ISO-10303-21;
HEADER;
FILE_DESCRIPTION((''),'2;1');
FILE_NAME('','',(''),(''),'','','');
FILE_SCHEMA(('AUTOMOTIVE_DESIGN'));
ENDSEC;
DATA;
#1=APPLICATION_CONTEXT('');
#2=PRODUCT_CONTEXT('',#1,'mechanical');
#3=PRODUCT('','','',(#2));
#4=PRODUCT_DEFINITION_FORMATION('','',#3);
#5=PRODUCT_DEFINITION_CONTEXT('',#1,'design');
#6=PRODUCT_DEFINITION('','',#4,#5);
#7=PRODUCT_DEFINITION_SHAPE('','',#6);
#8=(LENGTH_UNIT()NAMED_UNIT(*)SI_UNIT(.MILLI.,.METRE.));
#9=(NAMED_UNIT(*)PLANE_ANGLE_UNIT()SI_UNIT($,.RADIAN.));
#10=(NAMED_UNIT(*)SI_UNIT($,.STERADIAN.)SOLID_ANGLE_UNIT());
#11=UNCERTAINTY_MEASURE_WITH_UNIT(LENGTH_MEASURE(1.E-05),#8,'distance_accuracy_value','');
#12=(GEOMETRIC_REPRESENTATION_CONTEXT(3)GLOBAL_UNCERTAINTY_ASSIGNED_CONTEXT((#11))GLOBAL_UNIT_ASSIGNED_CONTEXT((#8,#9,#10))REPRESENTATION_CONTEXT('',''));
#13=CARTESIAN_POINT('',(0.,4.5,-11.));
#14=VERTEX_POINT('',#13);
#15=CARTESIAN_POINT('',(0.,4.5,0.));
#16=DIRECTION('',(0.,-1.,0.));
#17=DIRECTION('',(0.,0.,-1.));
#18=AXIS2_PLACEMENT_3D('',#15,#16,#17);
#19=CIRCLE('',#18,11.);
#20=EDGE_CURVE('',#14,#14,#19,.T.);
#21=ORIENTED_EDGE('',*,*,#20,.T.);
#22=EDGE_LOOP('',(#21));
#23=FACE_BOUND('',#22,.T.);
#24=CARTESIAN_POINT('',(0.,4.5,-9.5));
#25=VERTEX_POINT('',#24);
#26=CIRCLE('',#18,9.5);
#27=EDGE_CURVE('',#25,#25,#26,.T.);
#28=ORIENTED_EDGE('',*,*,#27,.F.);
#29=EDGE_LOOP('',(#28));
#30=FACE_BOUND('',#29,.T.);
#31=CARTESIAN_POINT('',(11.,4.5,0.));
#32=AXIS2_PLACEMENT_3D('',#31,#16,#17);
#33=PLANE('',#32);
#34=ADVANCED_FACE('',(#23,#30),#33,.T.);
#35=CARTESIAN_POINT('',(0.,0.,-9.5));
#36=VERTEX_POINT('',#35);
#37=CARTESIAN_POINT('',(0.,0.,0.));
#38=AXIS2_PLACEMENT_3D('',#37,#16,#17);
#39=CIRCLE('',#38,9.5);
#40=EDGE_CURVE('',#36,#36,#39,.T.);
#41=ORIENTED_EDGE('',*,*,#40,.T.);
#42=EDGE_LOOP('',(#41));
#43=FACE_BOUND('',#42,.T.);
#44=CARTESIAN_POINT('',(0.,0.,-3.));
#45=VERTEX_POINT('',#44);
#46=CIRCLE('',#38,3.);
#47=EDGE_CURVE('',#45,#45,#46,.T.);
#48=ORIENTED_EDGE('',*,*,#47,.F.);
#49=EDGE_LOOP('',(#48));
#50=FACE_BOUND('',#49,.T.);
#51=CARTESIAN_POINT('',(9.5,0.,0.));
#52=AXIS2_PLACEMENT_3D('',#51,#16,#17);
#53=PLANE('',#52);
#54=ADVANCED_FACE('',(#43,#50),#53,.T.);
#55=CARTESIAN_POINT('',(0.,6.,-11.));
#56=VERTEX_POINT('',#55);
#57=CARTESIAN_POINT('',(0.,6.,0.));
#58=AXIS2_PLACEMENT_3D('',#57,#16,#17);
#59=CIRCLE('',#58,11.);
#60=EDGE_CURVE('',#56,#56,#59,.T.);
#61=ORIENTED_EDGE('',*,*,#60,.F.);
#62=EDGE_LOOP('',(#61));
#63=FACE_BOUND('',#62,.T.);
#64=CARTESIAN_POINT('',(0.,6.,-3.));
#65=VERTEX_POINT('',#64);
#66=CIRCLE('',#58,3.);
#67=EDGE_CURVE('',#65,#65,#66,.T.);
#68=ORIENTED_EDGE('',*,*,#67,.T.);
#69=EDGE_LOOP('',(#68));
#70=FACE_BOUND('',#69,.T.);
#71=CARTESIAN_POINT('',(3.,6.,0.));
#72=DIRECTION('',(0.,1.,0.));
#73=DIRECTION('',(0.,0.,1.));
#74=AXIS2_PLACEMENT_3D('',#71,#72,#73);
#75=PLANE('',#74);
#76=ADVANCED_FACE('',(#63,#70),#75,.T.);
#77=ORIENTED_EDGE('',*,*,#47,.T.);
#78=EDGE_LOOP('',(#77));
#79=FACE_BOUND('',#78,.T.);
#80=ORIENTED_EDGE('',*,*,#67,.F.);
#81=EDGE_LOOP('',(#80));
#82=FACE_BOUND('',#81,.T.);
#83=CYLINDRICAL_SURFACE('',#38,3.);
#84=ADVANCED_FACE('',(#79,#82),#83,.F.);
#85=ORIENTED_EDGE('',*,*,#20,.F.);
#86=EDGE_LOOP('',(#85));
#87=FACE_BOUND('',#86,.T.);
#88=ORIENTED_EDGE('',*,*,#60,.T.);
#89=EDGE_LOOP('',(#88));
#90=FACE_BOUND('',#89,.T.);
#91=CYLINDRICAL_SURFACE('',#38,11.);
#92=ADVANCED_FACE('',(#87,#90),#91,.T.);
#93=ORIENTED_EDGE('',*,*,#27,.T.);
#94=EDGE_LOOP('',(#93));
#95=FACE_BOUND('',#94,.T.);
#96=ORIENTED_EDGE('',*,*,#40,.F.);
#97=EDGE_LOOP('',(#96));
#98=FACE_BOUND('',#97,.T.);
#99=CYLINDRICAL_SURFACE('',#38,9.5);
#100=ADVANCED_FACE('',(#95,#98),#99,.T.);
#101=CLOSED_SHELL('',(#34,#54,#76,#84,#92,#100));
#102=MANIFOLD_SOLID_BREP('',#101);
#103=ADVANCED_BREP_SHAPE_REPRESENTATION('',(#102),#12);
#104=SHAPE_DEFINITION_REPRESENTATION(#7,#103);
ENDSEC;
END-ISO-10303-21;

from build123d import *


with BuildPart() as part:
    # Sketch1 → Revolve1 (revolve)
    with BuildSketch(Plane.XY):
        Polygon((3, 6), (3, 0), (9.5, 0), (9.5, 4.5), (11, 4.5), (11, 6), align=None)
    revolve(axis=Axis((0, 0, 0), (0, 1, 0)))


solid = part.part
